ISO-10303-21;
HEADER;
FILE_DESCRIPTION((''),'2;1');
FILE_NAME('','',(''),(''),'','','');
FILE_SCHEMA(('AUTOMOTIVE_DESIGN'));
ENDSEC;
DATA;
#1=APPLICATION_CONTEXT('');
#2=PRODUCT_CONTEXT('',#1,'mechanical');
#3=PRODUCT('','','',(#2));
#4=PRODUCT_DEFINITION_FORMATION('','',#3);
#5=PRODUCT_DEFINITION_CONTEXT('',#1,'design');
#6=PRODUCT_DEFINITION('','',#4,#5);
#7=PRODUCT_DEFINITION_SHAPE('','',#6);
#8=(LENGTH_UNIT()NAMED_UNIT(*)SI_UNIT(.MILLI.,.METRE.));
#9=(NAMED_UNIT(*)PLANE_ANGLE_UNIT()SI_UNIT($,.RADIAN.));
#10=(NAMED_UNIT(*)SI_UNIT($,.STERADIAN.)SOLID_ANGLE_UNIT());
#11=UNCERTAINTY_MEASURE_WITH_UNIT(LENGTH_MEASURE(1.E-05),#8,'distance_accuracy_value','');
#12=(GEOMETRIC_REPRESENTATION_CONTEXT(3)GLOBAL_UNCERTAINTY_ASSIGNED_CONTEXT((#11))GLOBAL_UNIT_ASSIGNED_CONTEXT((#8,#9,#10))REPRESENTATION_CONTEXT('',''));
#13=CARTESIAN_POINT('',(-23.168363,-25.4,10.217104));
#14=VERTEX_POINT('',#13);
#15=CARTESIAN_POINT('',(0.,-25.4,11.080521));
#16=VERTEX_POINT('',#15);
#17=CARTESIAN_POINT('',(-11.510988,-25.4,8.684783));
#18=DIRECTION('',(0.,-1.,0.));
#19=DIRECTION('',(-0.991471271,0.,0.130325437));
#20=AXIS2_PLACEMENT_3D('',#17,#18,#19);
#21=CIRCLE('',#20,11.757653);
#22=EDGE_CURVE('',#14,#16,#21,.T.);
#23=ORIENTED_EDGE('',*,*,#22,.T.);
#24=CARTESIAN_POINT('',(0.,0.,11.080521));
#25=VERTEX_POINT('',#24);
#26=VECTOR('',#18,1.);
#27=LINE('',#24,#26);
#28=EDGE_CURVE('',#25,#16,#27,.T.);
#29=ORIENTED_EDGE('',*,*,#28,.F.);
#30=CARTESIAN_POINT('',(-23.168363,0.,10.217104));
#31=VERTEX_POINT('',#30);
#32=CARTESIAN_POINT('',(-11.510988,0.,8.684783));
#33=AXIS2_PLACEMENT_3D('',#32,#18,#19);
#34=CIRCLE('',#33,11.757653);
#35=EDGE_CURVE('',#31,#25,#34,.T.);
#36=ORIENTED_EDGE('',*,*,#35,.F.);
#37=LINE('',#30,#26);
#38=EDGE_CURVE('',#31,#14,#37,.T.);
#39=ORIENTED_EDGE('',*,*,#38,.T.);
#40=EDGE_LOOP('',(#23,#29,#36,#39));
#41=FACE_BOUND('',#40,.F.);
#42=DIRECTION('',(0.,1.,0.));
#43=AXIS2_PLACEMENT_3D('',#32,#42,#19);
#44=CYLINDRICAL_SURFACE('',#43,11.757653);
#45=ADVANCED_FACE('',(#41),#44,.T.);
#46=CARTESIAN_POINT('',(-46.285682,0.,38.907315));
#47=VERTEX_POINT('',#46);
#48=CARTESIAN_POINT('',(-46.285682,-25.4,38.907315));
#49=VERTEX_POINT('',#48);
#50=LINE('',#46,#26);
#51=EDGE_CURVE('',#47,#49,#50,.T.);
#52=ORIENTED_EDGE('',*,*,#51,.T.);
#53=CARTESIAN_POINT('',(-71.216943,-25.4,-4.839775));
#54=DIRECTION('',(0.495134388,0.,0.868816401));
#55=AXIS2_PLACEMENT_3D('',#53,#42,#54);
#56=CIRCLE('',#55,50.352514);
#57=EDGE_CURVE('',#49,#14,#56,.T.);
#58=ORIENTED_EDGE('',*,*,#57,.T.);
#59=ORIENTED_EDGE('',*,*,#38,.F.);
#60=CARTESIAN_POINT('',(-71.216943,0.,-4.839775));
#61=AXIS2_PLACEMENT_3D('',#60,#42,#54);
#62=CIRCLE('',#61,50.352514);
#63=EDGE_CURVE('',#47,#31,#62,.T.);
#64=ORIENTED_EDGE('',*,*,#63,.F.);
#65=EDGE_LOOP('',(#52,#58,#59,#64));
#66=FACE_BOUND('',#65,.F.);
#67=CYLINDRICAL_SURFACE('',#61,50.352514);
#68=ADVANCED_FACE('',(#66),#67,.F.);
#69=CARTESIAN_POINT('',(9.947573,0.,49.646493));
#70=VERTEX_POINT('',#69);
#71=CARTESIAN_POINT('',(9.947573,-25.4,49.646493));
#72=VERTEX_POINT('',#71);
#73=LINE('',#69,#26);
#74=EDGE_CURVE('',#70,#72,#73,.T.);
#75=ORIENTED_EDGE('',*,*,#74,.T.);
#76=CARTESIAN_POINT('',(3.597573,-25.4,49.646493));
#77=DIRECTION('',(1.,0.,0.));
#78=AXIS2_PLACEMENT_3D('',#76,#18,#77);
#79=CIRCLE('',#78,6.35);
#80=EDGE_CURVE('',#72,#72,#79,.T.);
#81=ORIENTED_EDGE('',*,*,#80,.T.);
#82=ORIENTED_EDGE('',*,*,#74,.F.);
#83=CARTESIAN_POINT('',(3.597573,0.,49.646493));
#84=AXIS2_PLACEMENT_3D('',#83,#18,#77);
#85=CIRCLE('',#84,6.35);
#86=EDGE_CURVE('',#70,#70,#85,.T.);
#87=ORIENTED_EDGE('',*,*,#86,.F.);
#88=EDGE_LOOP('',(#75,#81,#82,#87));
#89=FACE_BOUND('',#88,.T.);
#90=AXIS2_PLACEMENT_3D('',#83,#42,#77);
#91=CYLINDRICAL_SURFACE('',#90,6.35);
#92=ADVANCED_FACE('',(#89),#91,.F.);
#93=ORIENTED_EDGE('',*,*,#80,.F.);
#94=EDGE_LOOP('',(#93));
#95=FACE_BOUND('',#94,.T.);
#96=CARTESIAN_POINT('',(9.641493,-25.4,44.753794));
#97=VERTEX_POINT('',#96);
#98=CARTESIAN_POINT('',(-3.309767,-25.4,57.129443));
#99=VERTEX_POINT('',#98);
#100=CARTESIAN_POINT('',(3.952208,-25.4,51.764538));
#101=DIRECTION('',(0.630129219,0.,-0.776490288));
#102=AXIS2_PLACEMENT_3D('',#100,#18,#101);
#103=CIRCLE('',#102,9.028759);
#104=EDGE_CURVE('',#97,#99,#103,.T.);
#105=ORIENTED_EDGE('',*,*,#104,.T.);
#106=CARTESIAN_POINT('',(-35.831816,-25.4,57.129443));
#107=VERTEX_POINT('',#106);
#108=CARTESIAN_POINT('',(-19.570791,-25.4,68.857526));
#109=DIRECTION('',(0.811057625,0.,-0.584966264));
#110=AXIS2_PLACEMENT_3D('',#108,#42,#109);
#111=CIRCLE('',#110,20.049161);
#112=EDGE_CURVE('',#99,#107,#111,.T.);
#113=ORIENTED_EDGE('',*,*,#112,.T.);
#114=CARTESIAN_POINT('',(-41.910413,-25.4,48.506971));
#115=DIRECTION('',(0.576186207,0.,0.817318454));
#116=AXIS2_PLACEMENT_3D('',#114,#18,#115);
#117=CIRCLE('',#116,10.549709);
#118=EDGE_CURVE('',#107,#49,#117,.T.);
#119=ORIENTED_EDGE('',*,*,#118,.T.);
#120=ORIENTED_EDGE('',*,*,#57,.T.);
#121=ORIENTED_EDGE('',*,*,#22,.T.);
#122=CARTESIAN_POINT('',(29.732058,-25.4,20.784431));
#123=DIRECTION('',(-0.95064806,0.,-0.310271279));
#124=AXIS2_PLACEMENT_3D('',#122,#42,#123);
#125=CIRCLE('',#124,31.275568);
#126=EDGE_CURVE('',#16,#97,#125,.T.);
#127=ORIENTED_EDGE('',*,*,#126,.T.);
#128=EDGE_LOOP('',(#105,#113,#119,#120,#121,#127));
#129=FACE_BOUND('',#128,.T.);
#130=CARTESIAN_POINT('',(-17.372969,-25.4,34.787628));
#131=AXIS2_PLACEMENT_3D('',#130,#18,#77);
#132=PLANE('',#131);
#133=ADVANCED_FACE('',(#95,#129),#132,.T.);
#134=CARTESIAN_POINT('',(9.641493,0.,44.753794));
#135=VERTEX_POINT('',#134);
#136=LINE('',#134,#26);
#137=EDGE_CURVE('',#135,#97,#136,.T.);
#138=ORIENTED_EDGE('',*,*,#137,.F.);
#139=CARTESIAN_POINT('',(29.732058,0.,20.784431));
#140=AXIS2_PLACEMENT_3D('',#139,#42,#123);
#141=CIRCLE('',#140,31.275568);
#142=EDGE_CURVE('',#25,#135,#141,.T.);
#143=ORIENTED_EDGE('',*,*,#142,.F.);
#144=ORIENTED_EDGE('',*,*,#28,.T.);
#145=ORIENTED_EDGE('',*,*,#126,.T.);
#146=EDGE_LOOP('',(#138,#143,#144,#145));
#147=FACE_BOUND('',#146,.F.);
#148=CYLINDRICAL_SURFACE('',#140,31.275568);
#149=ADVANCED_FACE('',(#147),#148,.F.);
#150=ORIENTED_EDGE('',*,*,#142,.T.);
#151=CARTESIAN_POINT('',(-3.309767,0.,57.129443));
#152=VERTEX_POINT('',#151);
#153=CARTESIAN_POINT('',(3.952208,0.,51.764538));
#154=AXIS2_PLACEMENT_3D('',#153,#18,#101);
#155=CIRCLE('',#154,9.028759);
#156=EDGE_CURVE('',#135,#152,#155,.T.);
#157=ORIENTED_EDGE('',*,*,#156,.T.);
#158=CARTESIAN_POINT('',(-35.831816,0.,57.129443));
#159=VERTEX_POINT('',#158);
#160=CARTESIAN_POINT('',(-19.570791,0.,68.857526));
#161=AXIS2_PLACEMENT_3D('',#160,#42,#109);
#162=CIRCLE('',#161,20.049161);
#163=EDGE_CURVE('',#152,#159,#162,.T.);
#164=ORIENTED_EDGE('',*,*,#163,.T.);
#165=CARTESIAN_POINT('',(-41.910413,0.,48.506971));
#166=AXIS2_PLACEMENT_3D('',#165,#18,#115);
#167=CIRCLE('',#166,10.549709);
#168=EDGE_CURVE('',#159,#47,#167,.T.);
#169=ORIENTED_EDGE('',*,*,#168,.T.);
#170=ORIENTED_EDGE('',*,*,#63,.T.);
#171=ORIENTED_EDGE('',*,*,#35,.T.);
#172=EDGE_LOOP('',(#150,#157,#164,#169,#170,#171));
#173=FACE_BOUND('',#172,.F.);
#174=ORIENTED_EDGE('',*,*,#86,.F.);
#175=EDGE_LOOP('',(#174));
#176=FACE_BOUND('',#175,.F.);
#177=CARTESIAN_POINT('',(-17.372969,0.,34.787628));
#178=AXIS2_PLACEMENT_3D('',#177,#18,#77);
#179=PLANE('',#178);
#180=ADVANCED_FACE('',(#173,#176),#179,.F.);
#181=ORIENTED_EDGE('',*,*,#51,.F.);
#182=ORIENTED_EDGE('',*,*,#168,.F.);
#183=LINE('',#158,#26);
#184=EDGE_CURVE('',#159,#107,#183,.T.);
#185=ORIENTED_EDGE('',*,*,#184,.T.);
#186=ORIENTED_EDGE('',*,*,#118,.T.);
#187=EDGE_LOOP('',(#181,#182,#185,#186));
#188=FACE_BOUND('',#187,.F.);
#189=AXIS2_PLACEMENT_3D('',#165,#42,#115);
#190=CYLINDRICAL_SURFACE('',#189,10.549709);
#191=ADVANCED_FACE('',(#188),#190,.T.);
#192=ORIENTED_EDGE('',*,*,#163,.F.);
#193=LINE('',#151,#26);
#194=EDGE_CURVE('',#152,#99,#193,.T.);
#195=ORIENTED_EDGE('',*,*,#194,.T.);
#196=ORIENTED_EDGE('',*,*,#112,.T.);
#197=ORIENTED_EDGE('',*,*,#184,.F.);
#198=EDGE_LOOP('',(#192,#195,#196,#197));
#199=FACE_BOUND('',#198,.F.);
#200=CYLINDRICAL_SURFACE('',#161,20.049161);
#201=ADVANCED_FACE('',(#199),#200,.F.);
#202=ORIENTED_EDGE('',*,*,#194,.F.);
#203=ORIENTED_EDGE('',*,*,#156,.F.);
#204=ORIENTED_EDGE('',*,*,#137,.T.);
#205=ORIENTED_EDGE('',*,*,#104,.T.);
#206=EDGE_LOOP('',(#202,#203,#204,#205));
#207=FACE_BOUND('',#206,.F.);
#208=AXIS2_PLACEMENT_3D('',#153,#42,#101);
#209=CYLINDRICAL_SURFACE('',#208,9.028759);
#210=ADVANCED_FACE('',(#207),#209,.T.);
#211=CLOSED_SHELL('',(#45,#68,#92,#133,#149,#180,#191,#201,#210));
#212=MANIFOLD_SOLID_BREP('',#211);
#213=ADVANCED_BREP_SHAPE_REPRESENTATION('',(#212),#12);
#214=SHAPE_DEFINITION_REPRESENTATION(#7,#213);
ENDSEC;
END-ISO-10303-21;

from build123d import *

# Parameters (mm, degrees)
F2_DEPTH = 25.4
F1_R     = 6.35
F3_DEPTH = 25.4
F4_DEPTH = 25.4


with BuildPart() as f2:
    # F0 (on Front) → F2 (new body)
    with BuildSketch(Plane.XZ):
        with BuildLine():
            ThreePointArc((-3.309767, 57.129443), (-19.570792, 48.808365), (-35.831816, 57.129443))
            ThreePointArc((-35.831816, 57.129443), (-51.061196, 53.756689), (-46.285682, 38.907315))
            ThreePointArc((-46.285682, 38.907315), (-32.008572, 26.752618), (-23.168363, 10.217104))
            ThreePointArc((-23.168363, 10.217104), (-11.073118, -3.064714), (0, 11.080521))
            ThreePointArc((0, 11.080521), (-0.335296, 29.39346), (9.641493, 44.753794))
            ThreePointArc((9.641493, 44.753794), (10.189797, 58.292246), (-3.309767, 57.129443))
        make_face()
    extrude(amount=F2_DEPTH)

    # F1 (on Front) → F3 (cut)
    with BuildSketch(Plane.XZ):
        with Locations((3.597573, 49.646493)):
            Circle(F1_R)
    extrude(amount=F3_DEPTH, mode=Mode.SUBTRACT)

    # F1 (on Front) → F4 (cut)
    with BuildSketch(Plane.XZ):
        with Locations((-41.875739, 48.49527)):
            Circle(F1_R)
    extrude(amount=-F4_DEPTH, mode=Mode.SUBTRACT)


solid = f2.part
